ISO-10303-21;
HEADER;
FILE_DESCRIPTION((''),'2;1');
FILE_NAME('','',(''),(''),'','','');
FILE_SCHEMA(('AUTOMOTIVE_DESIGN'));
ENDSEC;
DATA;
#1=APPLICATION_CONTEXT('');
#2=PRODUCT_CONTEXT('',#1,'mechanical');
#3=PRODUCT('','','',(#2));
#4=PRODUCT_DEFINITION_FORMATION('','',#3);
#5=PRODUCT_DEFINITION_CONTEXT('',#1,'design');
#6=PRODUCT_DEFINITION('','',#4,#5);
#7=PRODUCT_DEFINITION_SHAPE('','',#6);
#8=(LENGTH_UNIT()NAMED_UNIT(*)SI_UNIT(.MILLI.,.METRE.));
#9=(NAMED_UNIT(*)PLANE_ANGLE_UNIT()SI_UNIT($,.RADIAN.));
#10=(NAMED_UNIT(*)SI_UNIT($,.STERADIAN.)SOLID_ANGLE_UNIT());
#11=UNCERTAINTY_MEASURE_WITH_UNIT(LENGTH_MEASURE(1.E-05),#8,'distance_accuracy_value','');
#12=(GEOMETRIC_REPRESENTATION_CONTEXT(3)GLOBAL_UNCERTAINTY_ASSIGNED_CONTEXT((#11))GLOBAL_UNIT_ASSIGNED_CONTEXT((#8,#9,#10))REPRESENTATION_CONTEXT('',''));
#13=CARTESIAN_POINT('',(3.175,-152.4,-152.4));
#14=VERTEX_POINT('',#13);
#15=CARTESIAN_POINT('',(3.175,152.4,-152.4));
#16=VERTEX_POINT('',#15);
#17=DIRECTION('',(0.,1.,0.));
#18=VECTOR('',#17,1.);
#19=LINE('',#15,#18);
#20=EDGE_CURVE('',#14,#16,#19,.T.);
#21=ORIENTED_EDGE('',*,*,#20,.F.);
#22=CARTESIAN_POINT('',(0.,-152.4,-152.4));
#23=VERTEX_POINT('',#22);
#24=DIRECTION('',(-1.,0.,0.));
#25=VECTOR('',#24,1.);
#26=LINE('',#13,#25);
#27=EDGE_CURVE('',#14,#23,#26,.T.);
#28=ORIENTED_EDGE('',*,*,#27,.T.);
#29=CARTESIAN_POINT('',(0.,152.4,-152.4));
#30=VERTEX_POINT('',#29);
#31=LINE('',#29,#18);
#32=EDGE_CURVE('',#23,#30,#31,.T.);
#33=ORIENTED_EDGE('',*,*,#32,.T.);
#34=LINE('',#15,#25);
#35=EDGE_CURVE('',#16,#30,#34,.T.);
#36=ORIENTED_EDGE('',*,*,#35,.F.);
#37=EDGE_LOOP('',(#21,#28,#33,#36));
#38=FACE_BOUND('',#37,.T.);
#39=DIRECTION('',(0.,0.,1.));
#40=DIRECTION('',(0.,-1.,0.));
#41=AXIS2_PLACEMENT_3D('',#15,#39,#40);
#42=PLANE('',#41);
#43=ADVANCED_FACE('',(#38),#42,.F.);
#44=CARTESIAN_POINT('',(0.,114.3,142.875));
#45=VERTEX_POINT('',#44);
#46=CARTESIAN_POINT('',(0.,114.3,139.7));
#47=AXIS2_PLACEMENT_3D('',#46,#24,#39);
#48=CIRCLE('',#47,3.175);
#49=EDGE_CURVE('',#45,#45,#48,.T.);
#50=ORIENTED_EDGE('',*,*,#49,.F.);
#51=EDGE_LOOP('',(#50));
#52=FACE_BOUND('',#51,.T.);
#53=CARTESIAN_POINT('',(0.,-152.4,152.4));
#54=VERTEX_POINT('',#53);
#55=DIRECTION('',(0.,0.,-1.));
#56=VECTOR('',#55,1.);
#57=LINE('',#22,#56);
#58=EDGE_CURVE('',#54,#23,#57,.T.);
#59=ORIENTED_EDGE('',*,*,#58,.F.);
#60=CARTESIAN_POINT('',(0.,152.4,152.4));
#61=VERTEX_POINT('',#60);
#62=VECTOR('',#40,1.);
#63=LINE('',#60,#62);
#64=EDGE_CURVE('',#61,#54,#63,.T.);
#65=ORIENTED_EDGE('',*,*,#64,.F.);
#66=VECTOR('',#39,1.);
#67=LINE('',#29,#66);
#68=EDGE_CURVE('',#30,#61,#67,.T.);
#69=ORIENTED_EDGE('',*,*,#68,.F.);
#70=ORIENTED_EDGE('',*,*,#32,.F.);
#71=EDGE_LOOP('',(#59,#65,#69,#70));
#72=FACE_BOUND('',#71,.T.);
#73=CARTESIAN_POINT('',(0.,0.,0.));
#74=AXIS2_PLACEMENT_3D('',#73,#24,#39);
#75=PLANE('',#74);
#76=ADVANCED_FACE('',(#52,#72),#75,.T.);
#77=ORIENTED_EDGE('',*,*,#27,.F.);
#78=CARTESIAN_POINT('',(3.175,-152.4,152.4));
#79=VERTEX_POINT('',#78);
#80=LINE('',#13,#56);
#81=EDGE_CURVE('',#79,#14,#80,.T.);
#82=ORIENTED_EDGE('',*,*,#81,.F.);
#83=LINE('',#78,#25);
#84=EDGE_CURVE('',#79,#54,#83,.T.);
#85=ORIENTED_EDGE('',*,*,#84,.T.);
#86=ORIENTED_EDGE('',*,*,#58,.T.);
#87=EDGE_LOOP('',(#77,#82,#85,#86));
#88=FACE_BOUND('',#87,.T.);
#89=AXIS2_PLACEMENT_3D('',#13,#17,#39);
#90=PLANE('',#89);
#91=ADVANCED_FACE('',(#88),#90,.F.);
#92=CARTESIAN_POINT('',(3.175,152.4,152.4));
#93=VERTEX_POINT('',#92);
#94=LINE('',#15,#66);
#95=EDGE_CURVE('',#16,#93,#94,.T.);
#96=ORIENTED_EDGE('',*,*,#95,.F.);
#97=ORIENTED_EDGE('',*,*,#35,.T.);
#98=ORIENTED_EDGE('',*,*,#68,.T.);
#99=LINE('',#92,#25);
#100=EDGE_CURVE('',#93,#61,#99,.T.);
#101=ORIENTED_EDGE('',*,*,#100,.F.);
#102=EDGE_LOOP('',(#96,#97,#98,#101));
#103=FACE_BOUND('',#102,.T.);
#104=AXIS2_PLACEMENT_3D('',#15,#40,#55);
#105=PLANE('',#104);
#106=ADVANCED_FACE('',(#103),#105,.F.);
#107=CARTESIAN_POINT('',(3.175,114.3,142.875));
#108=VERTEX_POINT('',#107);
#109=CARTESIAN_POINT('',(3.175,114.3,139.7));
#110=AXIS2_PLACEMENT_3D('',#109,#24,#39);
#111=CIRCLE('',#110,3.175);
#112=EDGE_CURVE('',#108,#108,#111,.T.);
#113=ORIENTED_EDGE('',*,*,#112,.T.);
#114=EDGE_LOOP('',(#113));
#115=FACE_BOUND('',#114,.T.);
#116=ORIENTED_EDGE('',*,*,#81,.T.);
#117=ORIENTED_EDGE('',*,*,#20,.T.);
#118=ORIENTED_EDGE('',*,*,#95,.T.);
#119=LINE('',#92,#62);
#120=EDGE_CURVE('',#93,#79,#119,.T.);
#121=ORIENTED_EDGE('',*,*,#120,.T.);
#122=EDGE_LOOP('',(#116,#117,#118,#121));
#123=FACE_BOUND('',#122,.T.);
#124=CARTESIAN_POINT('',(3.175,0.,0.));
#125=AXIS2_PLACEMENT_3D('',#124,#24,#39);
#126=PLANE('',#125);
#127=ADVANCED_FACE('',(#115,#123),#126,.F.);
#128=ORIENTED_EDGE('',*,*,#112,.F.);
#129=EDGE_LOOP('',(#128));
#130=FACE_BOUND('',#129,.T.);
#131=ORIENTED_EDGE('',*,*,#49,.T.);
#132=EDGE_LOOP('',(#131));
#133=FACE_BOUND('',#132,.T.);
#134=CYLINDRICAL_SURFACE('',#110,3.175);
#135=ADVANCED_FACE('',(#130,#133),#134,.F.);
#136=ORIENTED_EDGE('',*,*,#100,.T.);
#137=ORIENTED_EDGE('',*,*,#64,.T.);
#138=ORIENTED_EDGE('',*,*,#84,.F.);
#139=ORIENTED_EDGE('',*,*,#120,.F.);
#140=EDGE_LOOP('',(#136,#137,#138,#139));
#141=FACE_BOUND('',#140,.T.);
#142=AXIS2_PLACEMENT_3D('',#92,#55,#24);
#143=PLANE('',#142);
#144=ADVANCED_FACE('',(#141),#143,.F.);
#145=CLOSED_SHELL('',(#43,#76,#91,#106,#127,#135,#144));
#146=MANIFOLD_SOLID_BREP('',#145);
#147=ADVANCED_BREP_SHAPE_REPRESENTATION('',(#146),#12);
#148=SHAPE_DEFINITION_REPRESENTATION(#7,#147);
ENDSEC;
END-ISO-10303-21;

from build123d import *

# Parameters (mm, degrees)
SKETCH1_W           = 304.8
SKETCH1_H           = 304.8
BOSS_EXTRUDE1_DEPTH = 3.175
SKETCH2_R           = 3.175
CUT_EXTRUDE1_DEPTH  = 4.175


with BuildPart() as part:
    # Sketch1 → Boss-Extrude1 (new body)
    with BuildSketch(Plane(origin=(0, 0, 0), x_dir=(0, 0, -1), z_dir=(1, 0, 0))):
        Rectangle(SKETCH1_W, SKETCH1_H)
    extrude(amount=BOSS_EXTRUDE1_DEPTH)

    # Sketch2 → Cut-Extrude1 (cut, through all)
    with BuildSketch(Plane.ZY):
        with Locations((139.7, 114.3)):
            Circle(SKETCH2_R)
    extrude(amount=-CUT_EXTRUDE1_DEPTH, mode=Mode.SUBTRACT)


solid = part.part
